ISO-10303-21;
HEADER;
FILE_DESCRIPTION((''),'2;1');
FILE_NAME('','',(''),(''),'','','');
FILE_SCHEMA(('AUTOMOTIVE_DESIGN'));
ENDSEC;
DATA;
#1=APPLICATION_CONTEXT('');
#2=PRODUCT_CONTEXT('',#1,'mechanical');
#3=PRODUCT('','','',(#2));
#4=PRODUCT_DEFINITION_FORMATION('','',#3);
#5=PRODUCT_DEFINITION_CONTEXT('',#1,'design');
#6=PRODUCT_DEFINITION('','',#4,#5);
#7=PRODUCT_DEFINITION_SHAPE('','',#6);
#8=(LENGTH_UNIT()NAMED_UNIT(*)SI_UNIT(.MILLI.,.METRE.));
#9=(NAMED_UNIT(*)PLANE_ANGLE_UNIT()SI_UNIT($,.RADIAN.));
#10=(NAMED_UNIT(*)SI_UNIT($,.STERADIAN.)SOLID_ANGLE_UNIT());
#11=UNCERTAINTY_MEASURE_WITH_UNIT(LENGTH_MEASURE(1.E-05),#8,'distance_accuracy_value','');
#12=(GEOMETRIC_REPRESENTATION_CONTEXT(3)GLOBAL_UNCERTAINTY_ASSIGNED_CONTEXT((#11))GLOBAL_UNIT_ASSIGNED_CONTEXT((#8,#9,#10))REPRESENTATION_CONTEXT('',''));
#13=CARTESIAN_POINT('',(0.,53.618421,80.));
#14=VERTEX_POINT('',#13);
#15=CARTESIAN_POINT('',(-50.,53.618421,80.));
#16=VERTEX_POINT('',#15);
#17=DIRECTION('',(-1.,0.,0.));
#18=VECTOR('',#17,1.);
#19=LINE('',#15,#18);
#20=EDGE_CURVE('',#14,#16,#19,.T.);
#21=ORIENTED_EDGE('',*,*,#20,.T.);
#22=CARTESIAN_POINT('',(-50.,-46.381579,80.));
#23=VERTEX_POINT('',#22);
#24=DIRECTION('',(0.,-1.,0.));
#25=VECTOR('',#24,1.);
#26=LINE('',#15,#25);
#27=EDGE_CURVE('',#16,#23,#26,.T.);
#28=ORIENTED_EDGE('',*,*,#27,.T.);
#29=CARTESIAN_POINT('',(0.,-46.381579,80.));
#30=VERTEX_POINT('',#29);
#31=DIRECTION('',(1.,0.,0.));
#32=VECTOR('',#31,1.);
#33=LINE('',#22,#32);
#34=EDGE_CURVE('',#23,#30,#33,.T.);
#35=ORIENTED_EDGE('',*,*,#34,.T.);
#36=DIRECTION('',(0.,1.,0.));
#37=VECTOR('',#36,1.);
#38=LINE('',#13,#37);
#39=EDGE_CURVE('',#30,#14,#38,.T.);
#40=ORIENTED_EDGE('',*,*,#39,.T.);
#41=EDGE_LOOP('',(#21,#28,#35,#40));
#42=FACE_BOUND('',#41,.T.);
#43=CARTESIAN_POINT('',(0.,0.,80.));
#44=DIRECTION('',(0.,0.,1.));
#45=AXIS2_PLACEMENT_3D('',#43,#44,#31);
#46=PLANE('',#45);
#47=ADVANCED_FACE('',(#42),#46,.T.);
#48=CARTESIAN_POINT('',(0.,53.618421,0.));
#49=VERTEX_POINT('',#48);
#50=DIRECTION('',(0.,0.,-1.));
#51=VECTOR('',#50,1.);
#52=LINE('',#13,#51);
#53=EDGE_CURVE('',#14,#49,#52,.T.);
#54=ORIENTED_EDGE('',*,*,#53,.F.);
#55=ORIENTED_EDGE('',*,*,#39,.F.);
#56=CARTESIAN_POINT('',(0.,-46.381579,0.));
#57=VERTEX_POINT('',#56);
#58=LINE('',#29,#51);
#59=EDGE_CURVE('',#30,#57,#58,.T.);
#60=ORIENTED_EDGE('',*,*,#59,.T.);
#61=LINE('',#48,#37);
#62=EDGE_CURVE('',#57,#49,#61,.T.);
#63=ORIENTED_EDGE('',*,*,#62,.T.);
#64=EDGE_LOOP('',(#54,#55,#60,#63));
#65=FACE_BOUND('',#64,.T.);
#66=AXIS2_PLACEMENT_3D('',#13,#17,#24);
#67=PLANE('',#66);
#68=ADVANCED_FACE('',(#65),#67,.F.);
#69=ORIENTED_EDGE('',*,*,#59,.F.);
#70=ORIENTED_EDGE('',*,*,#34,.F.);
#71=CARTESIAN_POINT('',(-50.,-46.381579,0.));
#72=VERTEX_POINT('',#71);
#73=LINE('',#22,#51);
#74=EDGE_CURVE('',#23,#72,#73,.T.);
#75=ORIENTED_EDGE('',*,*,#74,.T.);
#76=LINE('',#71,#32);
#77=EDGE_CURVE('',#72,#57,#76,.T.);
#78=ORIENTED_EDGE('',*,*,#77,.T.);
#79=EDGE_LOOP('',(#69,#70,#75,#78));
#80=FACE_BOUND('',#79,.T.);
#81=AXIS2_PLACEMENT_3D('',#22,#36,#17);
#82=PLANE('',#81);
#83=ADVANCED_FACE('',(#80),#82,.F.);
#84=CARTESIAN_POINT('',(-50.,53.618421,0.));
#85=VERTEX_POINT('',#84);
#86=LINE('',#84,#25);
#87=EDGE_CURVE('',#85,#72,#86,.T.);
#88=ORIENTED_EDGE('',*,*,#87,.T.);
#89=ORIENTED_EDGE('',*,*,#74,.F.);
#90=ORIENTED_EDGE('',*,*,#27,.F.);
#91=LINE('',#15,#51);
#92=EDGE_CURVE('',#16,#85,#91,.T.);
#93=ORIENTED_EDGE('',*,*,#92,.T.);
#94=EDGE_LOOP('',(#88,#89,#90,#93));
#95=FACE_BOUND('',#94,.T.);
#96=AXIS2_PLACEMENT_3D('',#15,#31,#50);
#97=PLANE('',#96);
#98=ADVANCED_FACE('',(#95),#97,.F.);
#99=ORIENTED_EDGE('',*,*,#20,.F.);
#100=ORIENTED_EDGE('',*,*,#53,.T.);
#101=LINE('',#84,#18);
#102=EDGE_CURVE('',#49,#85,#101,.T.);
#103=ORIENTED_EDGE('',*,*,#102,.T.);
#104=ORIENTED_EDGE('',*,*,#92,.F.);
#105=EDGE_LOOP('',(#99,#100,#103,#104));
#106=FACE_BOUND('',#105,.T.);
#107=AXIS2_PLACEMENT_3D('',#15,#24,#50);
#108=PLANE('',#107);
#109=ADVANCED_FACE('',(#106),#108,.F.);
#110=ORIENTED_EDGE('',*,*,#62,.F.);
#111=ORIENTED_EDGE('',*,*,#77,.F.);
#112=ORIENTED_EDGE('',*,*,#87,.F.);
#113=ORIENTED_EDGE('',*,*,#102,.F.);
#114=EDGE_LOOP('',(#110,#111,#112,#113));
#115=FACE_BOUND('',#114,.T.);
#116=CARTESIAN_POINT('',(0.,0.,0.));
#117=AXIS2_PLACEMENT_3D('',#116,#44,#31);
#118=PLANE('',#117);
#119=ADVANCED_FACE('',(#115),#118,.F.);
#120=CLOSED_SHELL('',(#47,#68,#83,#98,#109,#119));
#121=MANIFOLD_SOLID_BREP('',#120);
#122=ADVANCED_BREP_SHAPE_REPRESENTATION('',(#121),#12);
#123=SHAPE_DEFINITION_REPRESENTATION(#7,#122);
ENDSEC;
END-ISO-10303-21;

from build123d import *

# Parameters (mm, degrees)
SKETCH1_W           = 50
SKETCH1_H           = 100
BOSS_EXTRUDE1_DEPTH = 80


with BuildPart() as part:
    # Sketch1 → Boss-Extrude1 (new body)
    with BuildSketch(Plane.XY):
        with Locations((-25, 3.618421053)):
            Rectangle(SKETCH1_W, SKETCH1_H)
    extrude(amount=BOSS_EXTRUDE1_DEPTH)


solid = part.part
